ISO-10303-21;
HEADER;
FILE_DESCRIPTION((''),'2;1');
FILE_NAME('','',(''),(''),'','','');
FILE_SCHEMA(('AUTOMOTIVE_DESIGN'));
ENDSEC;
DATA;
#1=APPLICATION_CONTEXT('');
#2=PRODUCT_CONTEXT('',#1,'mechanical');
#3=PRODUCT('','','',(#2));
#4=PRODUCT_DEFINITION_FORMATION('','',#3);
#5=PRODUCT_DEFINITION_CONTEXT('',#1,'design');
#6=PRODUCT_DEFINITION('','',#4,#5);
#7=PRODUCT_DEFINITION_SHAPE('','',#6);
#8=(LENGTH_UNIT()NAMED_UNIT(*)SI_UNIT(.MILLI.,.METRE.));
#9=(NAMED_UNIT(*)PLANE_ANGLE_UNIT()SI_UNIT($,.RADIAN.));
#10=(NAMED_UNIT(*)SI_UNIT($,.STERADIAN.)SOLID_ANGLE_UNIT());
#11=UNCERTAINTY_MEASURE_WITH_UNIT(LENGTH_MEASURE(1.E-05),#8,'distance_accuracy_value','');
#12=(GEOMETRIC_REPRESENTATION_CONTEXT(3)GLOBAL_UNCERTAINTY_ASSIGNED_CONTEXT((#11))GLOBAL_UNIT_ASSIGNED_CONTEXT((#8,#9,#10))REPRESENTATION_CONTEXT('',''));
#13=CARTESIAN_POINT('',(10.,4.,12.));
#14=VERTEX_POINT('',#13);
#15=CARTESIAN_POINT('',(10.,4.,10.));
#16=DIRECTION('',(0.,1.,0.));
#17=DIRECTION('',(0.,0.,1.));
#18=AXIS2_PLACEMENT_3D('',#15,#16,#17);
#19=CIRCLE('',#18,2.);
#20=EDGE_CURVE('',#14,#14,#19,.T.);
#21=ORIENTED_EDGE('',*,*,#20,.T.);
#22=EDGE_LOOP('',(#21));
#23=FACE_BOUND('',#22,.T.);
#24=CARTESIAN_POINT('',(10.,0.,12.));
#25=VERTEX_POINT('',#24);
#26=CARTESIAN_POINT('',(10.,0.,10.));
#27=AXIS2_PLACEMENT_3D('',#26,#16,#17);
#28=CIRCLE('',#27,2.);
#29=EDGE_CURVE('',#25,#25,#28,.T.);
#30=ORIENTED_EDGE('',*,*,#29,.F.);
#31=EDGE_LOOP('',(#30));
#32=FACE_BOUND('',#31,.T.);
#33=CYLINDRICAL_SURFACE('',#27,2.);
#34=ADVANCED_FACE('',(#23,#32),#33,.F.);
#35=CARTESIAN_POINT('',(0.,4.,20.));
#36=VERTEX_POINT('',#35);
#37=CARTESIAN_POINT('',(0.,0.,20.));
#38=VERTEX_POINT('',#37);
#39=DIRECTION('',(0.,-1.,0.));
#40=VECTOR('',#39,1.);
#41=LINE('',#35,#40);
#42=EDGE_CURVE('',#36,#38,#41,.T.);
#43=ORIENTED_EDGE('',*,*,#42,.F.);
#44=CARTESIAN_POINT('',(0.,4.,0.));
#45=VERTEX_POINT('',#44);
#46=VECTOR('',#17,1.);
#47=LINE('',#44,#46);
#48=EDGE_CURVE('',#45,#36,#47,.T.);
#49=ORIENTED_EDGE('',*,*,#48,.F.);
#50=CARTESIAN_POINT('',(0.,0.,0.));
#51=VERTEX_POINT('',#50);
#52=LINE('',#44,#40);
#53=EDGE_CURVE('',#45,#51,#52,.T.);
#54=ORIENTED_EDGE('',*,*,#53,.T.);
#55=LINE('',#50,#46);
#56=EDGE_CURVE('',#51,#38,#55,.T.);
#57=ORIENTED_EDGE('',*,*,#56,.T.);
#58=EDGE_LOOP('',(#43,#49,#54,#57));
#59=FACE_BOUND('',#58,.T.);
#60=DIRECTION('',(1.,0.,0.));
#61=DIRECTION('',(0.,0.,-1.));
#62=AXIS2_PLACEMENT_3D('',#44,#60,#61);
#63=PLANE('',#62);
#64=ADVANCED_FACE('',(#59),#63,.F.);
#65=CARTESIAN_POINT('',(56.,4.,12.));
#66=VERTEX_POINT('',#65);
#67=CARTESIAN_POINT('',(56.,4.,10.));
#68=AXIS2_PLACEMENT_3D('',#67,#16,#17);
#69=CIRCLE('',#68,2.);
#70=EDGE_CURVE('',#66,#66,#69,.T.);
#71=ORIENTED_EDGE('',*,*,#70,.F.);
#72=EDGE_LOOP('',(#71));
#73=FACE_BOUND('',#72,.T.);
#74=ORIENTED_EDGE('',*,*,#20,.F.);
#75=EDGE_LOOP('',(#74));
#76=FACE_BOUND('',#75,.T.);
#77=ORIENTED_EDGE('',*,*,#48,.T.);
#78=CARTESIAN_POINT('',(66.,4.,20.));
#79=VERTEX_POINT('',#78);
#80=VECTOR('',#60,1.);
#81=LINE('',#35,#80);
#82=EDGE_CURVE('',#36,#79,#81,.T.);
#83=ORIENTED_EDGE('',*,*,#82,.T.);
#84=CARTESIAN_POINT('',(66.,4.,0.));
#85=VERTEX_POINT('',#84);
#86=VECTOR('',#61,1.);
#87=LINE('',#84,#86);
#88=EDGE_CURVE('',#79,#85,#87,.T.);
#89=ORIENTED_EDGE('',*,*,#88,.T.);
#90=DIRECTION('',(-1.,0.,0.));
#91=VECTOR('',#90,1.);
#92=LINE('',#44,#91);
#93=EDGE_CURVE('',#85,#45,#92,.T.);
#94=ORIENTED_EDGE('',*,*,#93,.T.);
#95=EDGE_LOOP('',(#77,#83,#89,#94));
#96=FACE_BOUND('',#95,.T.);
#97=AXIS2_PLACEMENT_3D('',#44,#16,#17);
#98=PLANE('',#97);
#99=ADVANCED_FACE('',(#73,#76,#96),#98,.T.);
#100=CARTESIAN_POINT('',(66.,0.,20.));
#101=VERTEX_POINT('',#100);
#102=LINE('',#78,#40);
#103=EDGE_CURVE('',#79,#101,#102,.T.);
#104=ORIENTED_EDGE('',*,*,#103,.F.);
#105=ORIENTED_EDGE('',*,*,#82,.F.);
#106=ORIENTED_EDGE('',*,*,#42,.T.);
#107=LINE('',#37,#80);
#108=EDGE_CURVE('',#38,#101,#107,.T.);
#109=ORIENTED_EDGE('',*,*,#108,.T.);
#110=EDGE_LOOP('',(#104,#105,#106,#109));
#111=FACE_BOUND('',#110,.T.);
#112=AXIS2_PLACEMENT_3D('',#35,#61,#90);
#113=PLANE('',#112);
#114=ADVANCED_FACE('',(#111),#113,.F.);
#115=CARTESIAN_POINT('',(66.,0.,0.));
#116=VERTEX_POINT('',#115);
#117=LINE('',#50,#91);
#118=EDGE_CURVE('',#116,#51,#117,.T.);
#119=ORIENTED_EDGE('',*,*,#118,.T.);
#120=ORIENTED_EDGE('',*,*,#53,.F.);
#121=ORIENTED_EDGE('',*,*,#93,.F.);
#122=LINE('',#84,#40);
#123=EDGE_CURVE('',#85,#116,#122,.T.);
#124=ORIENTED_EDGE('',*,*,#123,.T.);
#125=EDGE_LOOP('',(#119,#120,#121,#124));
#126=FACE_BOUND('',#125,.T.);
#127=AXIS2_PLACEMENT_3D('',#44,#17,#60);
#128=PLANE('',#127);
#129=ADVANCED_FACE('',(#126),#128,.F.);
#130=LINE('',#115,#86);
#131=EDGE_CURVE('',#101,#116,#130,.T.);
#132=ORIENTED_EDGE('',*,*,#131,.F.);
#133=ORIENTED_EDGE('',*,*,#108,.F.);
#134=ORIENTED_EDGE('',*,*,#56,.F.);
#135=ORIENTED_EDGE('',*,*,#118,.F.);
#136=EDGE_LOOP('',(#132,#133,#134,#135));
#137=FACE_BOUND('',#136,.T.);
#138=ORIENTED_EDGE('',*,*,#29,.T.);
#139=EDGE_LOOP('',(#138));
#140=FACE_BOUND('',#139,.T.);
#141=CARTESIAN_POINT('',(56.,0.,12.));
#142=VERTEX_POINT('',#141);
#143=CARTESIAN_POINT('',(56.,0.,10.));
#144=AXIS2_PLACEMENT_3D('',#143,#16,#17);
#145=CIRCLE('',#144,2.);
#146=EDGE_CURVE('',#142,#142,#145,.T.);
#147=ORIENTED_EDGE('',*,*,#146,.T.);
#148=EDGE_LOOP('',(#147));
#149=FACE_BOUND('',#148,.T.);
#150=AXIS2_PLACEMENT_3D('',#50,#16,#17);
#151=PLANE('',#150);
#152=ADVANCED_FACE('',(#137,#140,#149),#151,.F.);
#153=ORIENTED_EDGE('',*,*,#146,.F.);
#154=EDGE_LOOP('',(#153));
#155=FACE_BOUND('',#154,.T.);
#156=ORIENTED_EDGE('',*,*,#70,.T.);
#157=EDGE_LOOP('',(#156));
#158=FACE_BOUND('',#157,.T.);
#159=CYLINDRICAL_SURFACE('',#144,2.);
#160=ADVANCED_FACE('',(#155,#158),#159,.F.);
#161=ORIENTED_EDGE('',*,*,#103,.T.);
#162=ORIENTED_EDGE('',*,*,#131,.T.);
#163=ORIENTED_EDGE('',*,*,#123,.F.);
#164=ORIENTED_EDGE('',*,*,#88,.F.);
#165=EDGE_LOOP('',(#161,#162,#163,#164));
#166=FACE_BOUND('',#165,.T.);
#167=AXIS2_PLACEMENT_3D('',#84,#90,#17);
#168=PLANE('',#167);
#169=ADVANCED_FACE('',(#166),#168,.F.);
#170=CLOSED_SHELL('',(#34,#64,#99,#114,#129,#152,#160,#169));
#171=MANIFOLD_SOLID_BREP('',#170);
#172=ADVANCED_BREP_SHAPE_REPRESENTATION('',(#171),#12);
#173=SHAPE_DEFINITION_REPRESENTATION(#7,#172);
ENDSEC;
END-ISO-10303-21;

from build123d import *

# Parameters (mm, degrees)
SKETCH1_W           = 66
SKETCH1_H           = 20
BOSS_EXTRUDE1_DEPTH = 4
SKETCH2_R           = 2
CUT_EXTRUDE1_DEPTH  = 5


with BuildPart() as part:
    # Sketch1 → Boss-Extrude1 (new body)
    with BuildSketch(Plane(origin=(0, 0, 0), x_dir=(1, 0, 0), z_dir=(0, 1, 0))):
        with Locations((33, -10)):
            Rectangle(SKETCH1_W, SKETCH1_H)
    extrude(amount=BOSS_EXTRUDE1_DEPTH)

    # Sketch2 → Cut-Extrude1 (cut, through all)
    with BuildSketch(Plane(origin=(0, 4, 0), x_dir=(1, 0, 0), z_dir=(0, 1, 0))):
        with Locations((10, -10)):
            Circle(SKETCH2_R)
        with Locations((56, -10)):
            Circle(SKETCH2_R)
    extrude(amount=-CUT_EXTRUDE1_DEPTH, mode=Mode.SUBTRACT)


solid = part.part
